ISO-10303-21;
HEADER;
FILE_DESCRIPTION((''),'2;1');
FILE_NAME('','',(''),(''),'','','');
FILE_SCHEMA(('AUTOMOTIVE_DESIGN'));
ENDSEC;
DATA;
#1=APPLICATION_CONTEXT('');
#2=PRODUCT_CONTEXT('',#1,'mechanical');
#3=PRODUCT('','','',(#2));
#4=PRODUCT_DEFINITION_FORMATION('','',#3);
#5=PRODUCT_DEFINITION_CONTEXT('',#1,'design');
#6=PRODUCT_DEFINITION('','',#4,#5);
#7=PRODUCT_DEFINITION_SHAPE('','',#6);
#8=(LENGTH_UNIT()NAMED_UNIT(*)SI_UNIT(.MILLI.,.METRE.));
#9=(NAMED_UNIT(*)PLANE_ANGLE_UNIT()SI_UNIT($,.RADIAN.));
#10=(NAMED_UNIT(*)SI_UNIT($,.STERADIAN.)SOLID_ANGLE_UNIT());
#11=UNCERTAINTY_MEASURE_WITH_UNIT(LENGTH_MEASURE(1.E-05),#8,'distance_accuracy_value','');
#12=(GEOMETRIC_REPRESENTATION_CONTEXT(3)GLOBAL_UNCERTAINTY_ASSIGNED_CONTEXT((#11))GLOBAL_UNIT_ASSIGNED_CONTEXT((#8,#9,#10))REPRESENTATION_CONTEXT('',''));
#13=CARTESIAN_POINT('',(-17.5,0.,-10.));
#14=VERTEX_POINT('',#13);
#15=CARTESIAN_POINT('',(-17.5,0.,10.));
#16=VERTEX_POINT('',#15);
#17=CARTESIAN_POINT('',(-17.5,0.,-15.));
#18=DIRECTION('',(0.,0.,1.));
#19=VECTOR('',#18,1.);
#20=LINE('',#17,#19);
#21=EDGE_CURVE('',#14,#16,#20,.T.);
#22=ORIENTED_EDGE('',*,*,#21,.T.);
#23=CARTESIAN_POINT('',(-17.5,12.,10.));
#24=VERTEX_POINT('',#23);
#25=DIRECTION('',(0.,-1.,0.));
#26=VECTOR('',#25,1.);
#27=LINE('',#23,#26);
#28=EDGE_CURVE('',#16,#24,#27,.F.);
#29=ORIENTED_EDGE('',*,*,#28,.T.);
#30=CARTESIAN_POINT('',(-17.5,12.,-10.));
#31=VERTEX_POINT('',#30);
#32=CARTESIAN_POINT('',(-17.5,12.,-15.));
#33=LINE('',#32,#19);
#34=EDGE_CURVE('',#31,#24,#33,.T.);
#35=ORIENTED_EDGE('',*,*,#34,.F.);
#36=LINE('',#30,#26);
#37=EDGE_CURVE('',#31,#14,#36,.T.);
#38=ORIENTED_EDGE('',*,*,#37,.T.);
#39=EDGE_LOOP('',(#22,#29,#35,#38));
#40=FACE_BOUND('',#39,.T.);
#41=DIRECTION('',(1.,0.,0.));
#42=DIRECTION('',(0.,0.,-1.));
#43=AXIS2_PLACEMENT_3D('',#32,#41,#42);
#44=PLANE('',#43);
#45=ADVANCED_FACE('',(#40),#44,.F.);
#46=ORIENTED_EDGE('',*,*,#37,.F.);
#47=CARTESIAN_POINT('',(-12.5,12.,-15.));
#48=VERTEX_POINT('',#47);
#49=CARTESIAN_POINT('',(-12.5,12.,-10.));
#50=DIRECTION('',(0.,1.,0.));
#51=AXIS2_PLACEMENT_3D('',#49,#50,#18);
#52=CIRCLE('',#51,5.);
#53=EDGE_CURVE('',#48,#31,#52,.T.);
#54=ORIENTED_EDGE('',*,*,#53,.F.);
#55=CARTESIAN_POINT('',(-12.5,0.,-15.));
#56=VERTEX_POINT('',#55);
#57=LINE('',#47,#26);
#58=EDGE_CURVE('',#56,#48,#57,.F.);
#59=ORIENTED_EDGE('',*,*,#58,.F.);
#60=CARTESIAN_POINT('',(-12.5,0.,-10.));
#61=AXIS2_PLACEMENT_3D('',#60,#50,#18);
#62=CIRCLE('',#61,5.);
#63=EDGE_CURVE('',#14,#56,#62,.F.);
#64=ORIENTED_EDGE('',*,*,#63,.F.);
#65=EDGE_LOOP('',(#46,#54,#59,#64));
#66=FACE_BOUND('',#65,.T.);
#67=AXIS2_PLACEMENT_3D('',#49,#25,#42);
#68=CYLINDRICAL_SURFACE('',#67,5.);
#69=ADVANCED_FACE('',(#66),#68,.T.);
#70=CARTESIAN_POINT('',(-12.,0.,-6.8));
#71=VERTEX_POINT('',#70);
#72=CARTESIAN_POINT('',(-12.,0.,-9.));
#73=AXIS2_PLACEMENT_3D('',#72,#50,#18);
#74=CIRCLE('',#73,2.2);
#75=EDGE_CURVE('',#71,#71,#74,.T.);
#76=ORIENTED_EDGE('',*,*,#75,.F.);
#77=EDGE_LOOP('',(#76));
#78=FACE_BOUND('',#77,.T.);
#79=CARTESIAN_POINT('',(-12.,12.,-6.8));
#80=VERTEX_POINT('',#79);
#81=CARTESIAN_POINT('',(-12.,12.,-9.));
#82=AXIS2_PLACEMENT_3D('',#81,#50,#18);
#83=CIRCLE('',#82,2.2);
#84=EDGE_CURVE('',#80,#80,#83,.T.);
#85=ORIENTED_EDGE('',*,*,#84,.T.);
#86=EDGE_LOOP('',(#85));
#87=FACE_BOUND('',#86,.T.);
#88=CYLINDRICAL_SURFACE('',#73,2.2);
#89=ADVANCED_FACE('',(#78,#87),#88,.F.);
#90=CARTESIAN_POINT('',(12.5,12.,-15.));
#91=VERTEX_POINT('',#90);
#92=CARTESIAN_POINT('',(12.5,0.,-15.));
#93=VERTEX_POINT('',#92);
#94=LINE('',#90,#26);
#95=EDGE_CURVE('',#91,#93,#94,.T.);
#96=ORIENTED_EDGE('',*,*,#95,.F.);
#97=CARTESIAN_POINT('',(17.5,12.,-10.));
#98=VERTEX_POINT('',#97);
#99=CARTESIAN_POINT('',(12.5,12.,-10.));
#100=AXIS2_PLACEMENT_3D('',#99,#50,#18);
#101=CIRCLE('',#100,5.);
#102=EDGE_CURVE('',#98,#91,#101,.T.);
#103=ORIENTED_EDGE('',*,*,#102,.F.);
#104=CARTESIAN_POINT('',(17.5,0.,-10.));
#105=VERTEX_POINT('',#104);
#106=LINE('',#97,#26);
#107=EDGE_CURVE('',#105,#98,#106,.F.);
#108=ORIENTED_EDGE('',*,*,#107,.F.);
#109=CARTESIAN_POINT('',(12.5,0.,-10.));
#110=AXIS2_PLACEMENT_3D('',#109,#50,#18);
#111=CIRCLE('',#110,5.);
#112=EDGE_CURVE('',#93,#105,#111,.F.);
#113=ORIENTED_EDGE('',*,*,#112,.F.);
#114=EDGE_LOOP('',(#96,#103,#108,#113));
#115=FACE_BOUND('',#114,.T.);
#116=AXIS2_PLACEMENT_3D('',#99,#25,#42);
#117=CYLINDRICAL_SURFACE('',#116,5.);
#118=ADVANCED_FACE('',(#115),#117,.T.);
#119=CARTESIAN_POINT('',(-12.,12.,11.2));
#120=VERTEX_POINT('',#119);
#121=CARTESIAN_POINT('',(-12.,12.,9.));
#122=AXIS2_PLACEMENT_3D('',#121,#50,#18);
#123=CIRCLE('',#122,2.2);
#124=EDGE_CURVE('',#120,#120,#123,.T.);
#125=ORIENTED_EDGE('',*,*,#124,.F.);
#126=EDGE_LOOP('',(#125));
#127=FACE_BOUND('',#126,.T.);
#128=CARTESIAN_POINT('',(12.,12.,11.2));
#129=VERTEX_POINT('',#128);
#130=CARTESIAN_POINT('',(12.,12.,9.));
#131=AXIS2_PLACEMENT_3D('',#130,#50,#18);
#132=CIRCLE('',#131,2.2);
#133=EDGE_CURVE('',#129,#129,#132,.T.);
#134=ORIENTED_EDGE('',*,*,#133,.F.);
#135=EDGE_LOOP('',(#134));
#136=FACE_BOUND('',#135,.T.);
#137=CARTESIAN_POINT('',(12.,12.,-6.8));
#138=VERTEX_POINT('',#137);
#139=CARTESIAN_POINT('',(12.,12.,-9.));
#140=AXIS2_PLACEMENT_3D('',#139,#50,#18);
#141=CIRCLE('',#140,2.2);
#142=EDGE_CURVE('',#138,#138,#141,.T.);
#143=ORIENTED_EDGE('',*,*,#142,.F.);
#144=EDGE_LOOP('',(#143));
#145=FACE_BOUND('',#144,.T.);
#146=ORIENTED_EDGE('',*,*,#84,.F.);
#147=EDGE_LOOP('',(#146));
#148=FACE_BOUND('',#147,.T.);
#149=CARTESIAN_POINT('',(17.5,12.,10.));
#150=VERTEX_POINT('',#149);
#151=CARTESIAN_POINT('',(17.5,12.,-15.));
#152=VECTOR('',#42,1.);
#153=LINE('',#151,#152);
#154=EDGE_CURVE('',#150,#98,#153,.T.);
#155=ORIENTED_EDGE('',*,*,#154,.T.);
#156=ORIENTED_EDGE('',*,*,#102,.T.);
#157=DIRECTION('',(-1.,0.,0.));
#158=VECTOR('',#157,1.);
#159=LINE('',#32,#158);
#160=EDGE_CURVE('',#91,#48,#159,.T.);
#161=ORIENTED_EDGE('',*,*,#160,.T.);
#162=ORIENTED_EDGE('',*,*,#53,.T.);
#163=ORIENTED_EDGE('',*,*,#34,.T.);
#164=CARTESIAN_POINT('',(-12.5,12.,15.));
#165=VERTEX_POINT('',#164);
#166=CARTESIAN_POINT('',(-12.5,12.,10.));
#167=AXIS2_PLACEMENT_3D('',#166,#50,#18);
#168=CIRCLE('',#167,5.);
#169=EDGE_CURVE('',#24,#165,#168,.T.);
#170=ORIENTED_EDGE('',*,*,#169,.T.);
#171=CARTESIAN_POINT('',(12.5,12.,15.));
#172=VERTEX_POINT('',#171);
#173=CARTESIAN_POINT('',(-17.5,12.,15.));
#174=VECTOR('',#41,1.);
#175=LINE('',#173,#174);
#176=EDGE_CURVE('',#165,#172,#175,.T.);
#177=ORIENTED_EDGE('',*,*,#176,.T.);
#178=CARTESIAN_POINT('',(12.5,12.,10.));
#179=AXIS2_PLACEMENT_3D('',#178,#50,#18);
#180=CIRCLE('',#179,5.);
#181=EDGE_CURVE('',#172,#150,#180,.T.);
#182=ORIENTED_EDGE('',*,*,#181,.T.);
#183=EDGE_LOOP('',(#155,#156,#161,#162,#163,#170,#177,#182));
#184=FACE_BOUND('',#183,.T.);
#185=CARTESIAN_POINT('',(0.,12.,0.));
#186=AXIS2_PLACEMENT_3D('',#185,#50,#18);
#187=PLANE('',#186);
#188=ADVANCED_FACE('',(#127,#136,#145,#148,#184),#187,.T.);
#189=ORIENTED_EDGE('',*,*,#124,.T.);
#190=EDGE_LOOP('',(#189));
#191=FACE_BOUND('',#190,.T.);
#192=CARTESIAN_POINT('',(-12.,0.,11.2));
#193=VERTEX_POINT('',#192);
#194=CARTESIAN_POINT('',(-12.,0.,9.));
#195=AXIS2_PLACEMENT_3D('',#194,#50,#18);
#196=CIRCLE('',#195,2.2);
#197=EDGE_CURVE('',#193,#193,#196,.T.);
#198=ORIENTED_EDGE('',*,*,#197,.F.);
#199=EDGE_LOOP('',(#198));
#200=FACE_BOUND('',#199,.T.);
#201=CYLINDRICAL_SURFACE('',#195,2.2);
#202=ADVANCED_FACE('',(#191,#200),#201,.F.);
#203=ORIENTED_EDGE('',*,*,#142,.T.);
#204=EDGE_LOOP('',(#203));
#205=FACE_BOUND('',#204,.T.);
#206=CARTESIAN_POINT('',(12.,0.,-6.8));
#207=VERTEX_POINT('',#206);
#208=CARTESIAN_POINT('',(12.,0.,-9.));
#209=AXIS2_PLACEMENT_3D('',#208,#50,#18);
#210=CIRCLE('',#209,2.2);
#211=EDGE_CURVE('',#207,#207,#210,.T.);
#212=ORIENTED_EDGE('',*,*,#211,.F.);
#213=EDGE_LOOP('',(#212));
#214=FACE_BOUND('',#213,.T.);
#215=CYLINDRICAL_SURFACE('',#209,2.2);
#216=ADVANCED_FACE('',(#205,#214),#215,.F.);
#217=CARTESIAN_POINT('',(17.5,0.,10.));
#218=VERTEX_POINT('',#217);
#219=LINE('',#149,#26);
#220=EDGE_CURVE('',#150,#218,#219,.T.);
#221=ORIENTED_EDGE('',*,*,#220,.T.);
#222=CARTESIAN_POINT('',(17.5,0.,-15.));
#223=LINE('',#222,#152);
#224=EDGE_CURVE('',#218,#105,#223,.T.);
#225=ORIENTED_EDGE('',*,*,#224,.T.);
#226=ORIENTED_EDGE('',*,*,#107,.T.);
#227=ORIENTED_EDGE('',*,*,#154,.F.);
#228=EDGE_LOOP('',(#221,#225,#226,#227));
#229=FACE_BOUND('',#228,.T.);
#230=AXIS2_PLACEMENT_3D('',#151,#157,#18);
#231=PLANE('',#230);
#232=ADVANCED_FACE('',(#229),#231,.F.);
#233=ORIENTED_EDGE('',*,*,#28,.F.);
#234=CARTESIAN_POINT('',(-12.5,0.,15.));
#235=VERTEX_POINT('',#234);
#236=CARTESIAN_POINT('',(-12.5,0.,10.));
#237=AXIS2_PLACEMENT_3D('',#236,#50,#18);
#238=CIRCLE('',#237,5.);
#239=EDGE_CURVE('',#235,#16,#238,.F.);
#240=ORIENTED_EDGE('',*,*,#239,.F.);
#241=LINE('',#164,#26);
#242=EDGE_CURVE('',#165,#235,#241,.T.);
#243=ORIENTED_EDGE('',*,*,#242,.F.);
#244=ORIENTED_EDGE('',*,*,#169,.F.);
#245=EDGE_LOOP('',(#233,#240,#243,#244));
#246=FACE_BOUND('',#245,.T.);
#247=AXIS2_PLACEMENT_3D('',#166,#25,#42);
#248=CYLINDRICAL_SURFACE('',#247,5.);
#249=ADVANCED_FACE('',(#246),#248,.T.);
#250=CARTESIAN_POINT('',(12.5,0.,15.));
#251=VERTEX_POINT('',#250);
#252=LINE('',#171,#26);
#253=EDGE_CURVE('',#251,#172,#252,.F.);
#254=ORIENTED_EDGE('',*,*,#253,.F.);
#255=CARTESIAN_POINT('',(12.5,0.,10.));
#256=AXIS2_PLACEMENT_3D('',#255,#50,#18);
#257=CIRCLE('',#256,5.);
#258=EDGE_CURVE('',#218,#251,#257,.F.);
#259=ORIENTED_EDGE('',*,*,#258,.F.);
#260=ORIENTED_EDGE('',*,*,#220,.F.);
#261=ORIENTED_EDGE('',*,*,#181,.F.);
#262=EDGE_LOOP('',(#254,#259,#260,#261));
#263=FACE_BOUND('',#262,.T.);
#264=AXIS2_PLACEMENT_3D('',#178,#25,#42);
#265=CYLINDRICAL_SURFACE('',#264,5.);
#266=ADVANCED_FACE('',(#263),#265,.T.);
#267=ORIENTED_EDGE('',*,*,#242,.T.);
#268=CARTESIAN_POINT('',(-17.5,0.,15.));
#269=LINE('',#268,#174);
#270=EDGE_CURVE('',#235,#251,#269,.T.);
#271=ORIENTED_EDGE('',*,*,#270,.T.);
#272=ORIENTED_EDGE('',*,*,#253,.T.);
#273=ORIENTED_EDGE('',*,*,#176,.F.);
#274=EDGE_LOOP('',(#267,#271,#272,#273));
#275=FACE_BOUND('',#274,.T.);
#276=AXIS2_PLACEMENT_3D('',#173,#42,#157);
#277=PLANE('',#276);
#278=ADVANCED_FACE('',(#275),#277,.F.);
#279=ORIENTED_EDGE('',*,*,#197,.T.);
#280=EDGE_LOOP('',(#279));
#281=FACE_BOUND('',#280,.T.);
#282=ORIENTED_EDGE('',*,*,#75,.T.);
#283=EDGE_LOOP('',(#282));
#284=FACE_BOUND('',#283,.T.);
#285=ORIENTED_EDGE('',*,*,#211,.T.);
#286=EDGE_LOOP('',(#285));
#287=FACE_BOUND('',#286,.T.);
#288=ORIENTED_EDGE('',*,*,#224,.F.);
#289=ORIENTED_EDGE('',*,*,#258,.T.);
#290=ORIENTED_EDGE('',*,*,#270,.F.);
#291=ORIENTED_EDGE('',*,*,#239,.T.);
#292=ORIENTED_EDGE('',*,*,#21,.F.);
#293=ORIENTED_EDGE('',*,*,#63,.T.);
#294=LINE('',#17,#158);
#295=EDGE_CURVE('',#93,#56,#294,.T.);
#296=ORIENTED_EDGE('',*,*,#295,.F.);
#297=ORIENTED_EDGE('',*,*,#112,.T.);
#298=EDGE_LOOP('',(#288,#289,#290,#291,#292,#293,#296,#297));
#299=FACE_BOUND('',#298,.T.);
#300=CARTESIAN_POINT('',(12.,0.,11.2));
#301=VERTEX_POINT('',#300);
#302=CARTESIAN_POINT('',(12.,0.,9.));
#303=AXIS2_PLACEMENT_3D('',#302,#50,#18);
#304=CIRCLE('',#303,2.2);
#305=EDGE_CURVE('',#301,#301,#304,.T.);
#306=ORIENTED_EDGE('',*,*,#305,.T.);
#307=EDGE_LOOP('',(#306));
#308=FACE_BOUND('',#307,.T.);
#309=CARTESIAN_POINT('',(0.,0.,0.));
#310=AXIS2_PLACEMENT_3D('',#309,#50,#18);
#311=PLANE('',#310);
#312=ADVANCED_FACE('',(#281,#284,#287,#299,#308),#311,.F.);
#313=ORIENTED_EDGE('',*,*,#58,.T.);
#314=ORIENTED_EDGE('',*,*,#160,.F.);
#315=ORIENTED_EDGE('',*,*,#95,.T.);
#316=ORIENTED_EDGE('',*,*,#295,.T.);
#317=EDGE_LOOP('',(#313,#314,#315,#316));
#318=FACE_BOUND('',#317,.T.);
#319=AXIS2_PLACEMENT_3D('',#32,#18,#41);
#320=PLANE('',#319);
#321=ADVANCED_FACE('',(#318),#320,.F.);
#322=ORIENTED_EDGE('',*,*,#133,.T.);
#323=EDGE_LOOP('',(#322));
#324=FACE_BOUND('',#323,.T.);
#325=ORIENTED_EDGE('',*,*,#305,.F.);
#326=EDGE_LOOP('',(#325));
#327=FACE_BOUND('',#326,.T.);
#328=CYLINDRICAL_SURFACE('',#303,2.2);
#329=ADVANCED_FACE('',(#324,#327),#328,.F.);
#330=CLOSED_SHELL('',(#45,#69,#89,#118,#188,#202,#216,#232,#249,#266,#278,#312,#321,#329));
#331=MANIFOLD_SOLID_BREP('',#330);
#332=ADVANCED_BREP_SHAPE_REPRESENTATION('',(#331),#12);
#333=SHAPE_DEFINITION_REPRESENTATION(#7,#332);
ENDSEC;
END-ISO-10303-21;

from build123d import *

# Parameters (mm, degrees)
SKETCH1_W           = 35
SKETCH1_H           = 30
BOSS_EXTRUDE1_DEPTH = 12
SKETCH2_R           = 2.2
CUT_EXTRUDE1_DEPTH  = 26.98557292
FILLET1_R           = 5


with BuildPart() as part:
    # Sketch1 → Boss-Extrude1 (new body)
    with BuildSketch(Plane(origin=(0, 0, 0), x_dir=(1, 0, 0), z_dir=(0, 1, 0))):
        Rectangle(SKETCH1_W, SKETCH1_H)
    extrude(amount=BOSS_EXTRUDE1_DEPTH)

    # Sketch2 → Cut-Extrude1 (cut, through all)
    with BuildSketch(Plane(origin=(0, 12, 0), x_dir=(1, 0, 0), z_dir=(0, 1, 0))):
        with Locations(Location((-12, 9, 0), (0, 0, 270))):
            Circle(SKETCH2_R)
        with Locations(Location((12, 9, 0), (0, 0, 270))):
            Circle(SKETCH2_R)
        with Locations(Location((12, -9, 0), (0, 0, 270))):
            Circle(SKETCH2_R)
        with Locations(Location((-12, -9, 0), (0, 0, 270))):
            Circle(SKETCH2_R)
    extrude(amount=-CUT_EXTRUDE1_DEPTH, mode=Mode.SUBTRACT)

    # Fillet1
    fillet1_edges = [part.edges().sort_by_distance(p)[0] for p in [
        (17.5, 6, 15),
        (-17.5, 6, 15),
        (-17.5, 6, -15),
        (17.5, 6, -15),
    ]]
    fillet(fillet1_edges, radius=FILLET1_R)


solid = part.part
